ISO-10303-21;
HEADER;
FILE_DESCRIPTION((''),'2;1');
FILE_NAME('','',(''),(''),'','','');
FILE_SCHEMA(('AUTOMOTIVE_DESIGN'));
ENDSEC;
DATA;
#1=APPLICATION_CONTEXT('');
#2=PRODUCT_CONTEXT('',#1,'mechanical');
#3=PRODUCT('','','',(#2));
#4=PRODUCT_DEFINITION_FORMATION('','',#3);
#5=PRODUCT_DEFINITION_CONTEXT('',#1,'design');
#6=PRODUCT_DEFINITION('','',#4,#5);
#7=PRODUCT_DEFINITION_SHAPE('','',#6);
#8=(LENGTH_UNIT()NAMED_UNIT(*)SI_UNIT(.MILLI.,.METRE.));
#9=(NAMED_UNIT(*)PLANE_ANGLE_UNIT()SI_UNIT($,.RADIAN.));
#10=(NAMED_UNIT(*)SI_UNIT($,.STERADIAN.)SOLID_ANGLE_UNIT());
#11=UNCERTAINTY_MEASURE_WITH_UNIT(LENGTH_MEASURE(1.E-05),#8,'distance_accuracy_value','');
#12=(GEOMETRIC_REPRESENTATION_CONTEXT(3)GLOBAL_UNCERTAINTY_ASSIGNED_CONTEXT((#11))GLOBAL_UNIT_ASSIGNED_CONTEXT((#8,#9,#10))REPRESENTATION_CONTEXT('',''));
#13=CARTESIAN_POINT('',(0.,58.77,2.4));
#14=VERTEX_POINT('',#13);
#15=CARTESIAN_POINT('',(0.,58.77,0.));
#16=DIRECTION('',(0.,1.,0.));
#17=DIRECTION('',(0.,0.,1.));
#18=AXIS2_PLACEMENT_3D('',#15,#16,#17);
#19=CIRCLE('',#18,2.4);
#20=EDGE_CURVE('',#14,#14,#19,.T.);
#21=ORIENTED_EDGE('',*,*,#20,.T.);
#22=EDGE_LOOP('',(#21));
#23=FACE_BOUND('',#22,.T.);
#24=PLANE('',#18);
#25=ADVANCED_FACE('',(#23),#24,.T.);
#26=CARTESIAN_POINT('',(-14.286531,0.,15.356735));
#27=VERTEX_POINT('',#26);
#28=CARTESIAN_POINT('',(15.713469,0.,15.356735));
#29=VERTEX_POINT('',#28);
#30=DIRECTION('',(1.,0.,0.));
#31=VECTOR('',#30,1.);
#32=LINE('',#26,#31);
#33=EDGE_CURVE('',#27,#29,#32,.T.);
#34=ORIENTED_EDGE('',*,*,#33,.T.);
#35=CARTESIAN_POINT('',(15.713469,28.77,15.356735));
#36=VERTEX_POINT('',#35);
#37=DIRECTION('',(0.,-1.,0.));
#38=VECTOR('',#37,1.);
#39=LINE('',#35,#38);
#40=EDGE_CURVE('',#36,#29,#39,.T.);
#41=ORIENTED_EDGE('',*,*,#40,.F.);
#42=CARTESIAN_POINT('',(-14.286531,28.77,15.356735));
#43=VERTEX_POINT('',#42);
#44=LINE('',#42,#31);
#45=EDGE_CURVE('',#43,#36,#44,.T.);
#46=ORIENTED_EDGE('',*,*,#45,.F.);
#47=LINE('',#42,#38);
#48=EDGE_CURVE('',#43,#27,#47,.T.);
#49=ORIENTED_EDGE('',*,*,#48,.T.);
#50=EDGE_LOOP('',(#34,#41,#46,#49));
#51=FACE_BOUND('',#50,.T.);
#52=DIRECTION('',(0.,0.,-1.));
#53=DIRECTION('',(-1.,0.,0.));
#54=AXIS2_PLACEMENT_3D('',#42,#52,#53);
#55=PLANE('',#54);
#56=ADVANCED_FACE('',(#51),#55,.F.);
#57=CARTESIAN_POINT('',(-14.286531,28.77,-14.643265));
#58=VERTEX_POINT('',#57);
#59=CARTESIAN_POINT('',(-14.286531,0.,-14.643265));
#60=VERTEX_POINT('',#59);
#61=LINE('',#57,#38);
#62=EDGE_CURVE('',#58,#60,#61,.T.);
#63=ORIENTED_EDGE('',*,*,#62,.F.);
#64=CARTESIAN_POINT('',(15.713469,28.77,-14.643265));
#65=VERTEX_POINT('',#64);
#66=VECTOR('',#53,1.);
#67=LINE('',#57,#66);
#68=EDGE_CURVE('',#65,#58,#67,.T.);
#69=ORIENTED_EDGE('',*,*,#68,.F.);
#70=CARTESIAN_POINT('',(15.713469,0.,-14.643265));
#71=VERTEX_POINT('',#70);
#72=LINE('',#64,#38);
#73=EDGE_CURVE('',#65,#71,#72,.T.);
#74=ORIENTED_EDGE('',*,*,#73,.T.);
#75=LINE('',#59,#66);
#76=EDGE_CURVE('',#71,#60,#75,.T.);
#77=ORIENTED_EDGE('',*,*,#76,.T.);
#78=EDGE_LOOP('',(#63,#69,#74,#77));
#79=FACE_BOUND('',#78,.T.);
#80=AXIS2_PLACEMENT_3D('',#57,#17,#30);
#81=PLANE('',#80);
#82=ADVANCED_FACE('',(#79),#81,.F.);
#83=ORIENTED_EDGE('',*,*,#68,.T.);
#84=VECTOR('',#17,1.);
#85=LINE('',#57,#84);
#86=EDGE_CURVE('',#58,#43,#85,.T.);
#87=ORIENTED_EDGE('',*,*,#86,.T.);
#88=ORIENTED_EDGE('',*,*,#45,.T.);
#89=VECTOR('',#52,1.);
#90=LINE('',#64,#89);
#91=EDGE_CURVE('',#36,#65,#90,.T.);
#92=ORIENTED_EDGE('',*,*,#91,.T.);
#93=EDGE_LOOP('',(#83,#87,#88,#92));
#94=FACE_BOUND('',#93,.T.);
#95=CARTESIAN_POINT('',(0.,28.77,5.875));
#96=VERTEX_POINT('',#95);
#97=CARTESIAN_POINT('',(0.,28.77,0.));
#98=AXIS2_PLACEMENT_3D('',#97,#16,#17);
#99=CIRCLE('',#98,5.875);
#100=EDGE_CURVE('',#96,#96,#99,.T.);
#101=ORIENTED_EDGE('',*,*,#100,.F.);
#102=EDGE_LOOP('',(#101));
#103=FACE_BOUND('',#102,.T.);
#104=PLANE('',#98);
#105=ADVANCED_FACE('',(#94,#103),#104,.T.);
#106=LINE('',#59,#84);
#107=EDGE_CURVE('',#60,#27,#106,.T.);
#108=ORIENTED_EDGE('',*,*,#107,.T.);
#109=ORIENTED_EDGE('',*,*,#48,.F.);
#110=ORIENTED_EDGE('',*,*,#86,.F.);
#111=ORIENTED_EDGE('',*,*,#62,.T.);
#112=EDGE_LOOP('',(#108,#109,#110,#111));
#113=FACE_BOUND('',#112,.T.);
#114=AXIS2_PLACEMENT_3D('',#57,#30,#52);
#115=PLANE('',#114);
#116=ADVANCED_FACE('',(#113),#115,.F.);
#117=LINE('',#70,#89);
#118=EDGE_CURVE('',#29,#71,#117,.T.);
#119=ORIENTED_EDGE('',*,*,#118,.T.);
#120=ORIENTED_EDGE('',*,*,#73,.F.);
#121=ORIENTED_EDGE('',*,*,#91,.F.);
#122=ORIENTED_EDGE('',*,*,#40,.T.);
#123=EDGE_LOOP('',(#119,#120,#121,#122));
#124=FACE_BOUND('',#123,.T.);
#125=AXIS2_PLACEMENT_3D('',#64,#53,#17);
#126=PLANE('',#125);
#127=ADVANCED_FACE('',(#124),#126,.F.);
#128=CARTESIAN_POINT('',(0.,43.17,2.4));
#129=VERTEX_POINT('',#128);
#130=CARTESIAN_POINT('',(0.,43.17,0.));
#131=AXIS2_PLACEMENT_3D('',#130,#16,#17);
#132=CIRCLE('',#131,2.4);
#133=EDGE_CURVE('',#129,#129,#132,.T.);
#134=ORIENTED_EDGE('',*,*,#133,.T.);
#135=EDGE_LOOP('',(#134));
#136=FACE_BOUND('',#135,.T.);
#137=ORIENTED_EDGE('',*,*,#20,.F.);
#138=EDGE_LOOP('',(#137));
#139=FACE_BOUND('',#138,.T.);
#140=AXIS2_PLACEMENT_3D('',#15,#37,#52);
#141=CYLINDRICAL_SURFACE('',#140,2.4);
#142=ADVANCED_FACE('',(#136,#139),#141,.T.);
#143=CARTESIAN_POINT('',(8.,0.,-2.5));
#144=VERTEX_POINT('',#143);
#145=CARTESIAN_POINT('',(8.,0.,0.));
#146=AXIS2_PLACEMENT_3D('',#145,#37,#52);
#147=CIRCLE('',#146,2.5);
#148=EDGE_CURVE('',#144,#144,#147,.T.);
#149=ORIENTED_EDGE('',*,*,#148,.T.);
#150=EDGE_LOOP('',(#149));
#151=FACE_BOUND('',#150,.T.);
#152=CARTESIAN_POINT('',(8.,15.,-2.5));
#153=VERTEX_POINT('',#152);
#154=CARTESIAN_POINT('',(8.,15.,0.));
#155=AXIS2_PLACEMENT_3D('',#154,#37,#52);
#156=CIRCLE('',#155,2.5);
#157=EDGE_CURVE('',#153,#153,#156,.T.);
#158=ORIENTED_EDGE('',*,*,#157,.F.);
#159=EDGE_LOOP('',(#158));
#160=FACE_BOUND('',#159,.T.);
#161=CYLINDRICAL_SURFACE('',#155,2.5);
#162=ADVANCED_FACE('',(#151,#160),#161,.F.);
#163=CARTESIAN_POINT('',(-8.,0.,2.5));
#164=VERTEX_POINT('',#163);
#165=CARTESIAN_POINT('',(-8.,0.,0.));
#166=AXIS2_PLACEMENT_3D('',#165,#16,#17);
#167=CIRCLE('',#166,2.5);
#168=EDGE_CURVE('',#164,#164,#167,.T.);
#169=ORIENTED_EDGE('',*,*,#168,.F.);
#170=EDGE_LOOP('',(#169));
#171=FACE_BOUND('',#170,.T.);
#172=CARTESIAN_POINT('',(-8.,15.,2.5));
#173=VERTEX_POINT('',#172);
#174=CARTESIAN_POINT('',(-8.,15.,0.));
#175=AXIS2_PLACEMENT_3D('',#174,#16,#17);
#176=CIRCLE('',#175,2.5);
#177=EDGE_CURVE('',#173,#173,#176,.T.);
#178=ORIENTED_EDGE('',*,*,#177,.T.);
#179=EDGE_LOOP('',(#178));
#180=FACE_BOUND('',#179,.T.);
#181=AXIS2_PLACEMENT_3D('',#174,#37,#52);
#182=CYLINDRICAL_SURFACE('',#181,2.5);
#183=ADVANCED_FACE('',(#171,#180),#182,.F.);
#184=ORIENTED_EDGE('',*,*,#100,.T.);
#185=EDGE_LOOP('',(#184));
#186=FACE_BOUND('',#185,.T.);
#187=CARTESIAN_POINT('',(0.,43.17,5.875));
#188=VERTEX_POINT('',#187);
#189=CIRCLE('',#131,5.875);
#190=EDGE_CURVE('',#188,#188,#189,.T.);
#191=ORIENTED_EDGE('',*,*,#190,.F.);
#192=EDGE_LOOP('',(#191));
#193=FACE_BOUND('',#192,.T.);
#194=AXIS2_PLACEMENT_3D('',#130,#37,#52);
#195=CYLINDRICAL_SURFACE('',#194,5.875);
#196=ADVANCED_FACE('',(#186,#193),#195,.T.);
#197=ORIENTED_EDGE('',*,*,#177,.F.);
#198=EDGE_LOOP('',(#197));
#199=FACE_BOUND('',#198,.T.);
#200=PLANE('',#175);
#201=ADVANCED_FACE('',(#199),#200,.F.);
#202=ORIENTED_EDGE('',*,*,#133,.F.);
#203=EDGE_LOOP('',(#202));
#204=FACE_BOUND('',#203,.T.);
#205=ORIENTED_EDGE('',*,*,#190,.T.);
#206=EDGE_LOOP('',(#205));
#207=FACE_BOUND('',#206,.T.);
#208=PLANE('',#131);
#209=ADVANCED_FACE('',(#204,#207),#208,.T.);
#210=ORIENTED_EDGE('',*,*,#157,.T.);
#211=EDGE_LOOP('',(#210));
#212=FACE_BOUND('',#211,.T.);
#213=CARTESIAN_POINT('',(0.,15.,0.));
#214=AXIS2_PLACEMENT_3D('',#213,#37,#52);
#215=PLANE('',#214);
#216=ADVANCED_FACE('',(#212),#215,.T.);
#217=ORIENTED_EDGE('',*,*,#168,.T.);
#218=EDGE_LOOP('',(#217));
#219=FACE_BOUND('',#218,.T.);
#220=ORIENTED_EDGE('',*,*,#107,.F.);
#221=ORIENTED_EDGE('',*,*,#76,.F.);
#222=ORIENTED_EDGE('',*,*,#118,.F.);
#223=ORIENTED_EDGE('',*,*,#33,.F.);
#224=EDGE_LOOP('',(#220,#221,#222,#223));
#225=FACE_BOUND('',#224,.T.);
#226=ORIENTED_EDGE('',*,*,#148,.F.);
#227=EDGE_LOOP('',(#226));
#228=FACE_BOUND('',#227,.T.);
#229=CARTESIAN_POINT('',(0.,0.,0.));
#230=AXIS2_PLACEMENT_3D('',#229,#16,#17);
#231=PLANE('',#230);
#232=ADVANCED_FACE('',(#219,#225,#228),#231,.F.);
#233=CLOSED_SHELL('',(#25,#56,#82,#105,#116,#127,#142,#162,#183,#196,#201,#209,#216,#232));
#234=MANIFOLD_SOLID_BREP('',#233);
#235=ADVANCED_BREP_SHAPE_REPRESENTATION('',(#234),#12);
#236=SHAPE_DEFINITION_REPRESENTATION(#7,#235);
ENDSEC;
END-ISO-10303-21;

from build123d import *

# Parameters (mm, degrees)
SKETCH_1_W          = 30
SKETCH_1_H          = 30
EXTRUDE_283_DEPTH   = 28.77
SKETCH_2_R          = 5.875
EXTRUDE_2_DEPTH     = 14.4
SKETCH_4_R          = 2.4
EXTRUDE_3_DEPTH     = 15.6
SKETCH_5_R          = 2.5
CUT_EXTRUDE_2_DEPTH = 15


with BuildPart() as part:
    # Эскиз1 → Extrude 283 (new body)
    with BuildSketch(Plane(origin=(0, 0, 0), x_dir=(1, 0, 0), z_dir=(0, 1, 0))):
        with Locations((0.713469456, -0.356734728)):
            Rectangle(SKETCH_1_W, SKETCH_1_H)
    extrude(amount=EXTRUDE_283_DEPTH)

    # Эскиз2 → Бобышка-Вытянуть2 (add)
    with BuildSketch(Plane(origin=(0, 28.77, 0), x_dir=(1, 0, 0), z_dir=(0, 1, 0))):
        with Locations(Location((0, 0, 0), (0, 0, 270))):
            Circle(SKETCH_2_R)
    extrude(amount=EXTRUDE_2_DEPTH)

    # Эскиз4 → Бобышка-Вытянуть3 (add)
    with BuildSketch(Plane(origin=(0, 43.17, 0), x_dir=(1, 0, 0), z_dir=(0, 1, 0))):
        with Locations(Location((0, 0, 0), (0, 0, 270))):
            Circle(SKETCH_4_R)
    extrude(amount=EXTRUDE_3_DEPTH)

    # Эскиз5 → Вырез-Вытянуть2 (cut)
    with BuildSketch(Plane.XZ):
        with Locations(Location((8, 0, 0), (0, 0, 270))):
            Circle(SKETCH_5_R)
        with Locations(Location((-8, 0, 0), (0, 0, 90))):
            Circle(SKETCH_5_R)
    extrude(amount=-CUT_EXTRUDE_2_DEPTH, mode=Mode.SUBTRACT)


solid = part.part
